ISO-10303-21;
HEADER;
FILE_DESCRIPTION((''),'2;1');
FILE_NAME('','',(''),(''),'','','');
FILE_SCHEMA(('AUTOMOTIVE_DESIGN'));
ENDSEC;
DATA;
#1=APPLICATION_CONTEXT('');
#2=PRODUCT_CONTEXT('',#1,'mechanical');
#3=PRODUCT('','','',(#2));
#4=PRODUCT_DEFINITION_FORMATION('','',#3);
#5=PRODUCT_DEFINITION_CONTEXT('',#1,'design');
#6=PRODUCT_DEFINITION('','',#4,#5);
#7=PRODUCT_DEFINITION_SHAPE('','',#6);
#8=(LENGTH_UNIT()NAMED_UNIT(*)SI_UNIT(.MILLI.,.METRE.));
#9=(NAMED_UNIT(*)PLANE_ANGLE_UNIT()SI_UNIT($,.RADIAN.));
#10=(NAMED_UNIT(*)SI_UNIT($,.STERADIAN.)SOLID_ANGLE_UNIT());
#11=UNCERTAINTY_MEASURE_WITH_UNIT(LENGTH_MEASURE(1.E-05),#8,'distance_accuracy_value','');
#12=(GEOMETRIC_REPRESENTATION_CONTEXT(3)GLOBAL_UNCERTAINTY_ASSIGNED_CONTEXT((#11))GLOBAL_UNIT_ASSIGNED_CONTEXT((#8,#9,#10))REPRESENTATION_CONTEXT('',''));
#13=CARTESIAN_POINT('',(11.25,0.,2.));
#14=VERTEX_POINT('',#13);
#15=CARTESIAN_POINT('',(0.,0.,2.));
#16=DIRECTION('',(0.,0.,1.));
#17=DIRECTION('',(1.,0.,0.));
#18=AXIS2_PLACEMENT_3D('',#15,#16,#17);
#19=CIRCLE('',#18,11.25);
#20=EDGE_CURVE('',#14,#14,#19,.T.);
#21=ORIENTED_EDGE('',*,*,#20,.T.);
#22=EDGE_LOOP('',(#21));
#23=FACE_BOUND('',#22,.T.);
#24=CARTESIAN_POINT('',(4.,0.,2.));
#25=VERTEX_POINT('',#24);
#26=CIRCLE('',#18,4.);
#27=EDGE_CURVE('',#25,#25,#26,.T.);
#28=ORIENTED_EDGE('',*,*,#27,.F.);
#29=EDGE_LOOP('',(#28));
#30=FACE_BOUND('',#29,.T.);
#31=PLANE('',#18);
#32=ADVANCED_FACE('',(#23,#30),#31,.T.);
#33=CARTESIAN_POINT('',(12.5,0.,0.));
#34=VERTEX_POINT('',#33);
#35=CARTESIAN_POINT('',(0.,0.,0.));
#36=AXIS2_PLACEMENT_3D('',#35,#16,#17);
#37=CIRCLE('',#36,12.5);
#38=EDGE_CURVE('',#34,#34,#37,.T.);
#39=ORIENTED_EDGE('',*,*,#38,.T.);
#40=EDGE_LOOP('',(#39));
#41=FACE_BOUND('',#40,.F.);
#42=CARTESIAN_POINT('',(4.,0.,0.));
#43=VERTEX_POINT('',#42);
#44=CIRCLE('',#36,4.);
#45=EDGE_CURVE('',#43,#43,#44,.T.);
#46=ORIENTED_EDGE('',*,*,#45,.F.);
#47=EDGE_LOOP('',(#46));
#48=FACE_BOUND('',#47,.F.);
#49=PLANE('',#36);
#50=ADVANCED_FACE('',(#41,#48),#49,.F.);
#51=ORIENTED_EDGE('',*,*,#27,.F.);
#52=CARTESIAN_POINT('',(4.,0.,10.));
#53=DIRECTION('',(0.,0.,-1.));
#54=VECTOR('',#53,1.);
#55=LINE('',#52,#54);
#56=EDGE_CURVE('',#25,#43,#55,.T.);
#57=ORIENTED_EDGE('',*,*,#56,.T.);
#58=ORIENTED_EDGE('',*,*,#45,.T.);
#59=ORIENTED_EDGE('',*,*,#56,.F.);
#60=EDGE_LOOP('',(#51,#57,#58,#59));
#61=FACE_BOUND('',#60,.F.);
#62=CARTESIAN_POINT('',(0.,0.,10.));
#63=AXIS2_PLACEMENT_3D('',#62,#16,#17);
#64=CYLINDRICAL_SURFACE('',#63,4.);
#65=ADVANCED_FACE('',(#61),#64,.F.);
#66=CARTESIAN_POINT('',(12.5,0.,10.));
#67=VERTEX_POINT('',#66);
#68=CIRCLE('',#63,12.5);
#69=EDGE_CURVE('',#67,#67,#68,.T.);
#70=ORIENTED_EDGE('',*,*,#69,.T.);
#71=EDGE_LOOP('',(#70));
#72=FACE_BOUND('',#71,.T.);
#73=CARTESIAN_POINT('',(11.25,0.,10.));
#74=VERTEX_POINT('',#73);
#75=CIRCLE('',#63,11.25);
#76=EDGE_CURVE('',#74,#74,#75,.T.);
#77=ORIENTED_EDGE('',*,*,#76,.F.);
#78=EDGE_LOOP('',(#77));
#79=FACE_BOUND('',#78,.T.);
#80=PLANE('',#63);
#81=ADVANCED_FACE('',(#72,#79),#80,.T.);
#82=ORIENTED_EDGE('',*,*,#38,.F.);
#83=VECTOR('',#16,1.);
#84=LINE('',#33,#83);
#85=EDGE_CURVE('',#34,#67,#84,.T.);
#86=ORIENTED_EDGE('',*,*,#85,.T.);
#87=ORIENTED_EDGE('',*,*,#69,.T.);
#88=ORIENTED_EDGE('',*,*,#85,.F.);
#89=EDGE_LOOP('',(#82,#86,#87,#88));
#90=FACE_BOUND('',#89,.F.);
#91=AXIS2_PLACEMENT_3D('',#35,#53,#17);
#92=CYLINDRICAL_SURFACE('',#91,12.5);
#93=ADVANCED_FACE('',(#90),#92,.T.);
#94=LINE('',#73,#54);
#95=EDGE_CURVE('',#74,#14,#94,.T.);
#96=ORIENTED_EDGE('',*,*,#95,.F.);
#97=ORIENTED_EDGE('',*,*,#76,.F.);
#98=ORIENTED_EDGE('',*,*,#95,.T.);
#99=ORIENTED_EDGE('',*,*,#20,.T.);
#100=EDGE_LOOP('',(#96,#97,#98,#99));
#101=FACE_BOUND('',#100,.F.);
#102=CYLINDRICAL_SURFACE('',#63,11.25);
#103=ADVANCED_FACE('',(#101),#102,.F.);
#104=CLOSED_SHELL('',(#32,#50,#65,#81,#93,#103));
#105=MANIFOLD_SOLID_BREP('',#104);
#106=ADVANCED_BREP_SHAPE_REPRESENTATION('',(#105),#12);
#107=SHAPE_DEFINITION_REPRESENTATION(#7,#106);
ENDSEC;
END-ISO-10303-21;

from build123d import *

# Parameters (mm, degrees)
F0_R     = 12.5
F1_DEPTH = 10
F2_R     = 4
F3_DEPTH = 25
F2_R_2   = 11.25
F4_DEPTH = 8


with BuildPart() as f1:
    # F0 (on Top) → F1 (new body)
    with BuildSketch(Plane.XY):
        Circle(F0_R)
    extrude(amount=F1_DEPTH)

    # F2 (on face) → F3 (cut)
    with BuildSketch(Plane.XY.offset(10)):
        Circle(F2_R)
    extrude(amount=-F3_DEPTH, mode=Mode.SUBTRACT)

    # F2 (on face) → F4 (cut)
    with BuildSketch(Plane.XY.offset(10)):
        Circle(F2_R_2)
        Circle(F2_R, mode=Mode.SUBTRACT)
    extrude(amount=-F4_DEPTH, mode=Mode.SUBTRACT)


solid = f1.part
